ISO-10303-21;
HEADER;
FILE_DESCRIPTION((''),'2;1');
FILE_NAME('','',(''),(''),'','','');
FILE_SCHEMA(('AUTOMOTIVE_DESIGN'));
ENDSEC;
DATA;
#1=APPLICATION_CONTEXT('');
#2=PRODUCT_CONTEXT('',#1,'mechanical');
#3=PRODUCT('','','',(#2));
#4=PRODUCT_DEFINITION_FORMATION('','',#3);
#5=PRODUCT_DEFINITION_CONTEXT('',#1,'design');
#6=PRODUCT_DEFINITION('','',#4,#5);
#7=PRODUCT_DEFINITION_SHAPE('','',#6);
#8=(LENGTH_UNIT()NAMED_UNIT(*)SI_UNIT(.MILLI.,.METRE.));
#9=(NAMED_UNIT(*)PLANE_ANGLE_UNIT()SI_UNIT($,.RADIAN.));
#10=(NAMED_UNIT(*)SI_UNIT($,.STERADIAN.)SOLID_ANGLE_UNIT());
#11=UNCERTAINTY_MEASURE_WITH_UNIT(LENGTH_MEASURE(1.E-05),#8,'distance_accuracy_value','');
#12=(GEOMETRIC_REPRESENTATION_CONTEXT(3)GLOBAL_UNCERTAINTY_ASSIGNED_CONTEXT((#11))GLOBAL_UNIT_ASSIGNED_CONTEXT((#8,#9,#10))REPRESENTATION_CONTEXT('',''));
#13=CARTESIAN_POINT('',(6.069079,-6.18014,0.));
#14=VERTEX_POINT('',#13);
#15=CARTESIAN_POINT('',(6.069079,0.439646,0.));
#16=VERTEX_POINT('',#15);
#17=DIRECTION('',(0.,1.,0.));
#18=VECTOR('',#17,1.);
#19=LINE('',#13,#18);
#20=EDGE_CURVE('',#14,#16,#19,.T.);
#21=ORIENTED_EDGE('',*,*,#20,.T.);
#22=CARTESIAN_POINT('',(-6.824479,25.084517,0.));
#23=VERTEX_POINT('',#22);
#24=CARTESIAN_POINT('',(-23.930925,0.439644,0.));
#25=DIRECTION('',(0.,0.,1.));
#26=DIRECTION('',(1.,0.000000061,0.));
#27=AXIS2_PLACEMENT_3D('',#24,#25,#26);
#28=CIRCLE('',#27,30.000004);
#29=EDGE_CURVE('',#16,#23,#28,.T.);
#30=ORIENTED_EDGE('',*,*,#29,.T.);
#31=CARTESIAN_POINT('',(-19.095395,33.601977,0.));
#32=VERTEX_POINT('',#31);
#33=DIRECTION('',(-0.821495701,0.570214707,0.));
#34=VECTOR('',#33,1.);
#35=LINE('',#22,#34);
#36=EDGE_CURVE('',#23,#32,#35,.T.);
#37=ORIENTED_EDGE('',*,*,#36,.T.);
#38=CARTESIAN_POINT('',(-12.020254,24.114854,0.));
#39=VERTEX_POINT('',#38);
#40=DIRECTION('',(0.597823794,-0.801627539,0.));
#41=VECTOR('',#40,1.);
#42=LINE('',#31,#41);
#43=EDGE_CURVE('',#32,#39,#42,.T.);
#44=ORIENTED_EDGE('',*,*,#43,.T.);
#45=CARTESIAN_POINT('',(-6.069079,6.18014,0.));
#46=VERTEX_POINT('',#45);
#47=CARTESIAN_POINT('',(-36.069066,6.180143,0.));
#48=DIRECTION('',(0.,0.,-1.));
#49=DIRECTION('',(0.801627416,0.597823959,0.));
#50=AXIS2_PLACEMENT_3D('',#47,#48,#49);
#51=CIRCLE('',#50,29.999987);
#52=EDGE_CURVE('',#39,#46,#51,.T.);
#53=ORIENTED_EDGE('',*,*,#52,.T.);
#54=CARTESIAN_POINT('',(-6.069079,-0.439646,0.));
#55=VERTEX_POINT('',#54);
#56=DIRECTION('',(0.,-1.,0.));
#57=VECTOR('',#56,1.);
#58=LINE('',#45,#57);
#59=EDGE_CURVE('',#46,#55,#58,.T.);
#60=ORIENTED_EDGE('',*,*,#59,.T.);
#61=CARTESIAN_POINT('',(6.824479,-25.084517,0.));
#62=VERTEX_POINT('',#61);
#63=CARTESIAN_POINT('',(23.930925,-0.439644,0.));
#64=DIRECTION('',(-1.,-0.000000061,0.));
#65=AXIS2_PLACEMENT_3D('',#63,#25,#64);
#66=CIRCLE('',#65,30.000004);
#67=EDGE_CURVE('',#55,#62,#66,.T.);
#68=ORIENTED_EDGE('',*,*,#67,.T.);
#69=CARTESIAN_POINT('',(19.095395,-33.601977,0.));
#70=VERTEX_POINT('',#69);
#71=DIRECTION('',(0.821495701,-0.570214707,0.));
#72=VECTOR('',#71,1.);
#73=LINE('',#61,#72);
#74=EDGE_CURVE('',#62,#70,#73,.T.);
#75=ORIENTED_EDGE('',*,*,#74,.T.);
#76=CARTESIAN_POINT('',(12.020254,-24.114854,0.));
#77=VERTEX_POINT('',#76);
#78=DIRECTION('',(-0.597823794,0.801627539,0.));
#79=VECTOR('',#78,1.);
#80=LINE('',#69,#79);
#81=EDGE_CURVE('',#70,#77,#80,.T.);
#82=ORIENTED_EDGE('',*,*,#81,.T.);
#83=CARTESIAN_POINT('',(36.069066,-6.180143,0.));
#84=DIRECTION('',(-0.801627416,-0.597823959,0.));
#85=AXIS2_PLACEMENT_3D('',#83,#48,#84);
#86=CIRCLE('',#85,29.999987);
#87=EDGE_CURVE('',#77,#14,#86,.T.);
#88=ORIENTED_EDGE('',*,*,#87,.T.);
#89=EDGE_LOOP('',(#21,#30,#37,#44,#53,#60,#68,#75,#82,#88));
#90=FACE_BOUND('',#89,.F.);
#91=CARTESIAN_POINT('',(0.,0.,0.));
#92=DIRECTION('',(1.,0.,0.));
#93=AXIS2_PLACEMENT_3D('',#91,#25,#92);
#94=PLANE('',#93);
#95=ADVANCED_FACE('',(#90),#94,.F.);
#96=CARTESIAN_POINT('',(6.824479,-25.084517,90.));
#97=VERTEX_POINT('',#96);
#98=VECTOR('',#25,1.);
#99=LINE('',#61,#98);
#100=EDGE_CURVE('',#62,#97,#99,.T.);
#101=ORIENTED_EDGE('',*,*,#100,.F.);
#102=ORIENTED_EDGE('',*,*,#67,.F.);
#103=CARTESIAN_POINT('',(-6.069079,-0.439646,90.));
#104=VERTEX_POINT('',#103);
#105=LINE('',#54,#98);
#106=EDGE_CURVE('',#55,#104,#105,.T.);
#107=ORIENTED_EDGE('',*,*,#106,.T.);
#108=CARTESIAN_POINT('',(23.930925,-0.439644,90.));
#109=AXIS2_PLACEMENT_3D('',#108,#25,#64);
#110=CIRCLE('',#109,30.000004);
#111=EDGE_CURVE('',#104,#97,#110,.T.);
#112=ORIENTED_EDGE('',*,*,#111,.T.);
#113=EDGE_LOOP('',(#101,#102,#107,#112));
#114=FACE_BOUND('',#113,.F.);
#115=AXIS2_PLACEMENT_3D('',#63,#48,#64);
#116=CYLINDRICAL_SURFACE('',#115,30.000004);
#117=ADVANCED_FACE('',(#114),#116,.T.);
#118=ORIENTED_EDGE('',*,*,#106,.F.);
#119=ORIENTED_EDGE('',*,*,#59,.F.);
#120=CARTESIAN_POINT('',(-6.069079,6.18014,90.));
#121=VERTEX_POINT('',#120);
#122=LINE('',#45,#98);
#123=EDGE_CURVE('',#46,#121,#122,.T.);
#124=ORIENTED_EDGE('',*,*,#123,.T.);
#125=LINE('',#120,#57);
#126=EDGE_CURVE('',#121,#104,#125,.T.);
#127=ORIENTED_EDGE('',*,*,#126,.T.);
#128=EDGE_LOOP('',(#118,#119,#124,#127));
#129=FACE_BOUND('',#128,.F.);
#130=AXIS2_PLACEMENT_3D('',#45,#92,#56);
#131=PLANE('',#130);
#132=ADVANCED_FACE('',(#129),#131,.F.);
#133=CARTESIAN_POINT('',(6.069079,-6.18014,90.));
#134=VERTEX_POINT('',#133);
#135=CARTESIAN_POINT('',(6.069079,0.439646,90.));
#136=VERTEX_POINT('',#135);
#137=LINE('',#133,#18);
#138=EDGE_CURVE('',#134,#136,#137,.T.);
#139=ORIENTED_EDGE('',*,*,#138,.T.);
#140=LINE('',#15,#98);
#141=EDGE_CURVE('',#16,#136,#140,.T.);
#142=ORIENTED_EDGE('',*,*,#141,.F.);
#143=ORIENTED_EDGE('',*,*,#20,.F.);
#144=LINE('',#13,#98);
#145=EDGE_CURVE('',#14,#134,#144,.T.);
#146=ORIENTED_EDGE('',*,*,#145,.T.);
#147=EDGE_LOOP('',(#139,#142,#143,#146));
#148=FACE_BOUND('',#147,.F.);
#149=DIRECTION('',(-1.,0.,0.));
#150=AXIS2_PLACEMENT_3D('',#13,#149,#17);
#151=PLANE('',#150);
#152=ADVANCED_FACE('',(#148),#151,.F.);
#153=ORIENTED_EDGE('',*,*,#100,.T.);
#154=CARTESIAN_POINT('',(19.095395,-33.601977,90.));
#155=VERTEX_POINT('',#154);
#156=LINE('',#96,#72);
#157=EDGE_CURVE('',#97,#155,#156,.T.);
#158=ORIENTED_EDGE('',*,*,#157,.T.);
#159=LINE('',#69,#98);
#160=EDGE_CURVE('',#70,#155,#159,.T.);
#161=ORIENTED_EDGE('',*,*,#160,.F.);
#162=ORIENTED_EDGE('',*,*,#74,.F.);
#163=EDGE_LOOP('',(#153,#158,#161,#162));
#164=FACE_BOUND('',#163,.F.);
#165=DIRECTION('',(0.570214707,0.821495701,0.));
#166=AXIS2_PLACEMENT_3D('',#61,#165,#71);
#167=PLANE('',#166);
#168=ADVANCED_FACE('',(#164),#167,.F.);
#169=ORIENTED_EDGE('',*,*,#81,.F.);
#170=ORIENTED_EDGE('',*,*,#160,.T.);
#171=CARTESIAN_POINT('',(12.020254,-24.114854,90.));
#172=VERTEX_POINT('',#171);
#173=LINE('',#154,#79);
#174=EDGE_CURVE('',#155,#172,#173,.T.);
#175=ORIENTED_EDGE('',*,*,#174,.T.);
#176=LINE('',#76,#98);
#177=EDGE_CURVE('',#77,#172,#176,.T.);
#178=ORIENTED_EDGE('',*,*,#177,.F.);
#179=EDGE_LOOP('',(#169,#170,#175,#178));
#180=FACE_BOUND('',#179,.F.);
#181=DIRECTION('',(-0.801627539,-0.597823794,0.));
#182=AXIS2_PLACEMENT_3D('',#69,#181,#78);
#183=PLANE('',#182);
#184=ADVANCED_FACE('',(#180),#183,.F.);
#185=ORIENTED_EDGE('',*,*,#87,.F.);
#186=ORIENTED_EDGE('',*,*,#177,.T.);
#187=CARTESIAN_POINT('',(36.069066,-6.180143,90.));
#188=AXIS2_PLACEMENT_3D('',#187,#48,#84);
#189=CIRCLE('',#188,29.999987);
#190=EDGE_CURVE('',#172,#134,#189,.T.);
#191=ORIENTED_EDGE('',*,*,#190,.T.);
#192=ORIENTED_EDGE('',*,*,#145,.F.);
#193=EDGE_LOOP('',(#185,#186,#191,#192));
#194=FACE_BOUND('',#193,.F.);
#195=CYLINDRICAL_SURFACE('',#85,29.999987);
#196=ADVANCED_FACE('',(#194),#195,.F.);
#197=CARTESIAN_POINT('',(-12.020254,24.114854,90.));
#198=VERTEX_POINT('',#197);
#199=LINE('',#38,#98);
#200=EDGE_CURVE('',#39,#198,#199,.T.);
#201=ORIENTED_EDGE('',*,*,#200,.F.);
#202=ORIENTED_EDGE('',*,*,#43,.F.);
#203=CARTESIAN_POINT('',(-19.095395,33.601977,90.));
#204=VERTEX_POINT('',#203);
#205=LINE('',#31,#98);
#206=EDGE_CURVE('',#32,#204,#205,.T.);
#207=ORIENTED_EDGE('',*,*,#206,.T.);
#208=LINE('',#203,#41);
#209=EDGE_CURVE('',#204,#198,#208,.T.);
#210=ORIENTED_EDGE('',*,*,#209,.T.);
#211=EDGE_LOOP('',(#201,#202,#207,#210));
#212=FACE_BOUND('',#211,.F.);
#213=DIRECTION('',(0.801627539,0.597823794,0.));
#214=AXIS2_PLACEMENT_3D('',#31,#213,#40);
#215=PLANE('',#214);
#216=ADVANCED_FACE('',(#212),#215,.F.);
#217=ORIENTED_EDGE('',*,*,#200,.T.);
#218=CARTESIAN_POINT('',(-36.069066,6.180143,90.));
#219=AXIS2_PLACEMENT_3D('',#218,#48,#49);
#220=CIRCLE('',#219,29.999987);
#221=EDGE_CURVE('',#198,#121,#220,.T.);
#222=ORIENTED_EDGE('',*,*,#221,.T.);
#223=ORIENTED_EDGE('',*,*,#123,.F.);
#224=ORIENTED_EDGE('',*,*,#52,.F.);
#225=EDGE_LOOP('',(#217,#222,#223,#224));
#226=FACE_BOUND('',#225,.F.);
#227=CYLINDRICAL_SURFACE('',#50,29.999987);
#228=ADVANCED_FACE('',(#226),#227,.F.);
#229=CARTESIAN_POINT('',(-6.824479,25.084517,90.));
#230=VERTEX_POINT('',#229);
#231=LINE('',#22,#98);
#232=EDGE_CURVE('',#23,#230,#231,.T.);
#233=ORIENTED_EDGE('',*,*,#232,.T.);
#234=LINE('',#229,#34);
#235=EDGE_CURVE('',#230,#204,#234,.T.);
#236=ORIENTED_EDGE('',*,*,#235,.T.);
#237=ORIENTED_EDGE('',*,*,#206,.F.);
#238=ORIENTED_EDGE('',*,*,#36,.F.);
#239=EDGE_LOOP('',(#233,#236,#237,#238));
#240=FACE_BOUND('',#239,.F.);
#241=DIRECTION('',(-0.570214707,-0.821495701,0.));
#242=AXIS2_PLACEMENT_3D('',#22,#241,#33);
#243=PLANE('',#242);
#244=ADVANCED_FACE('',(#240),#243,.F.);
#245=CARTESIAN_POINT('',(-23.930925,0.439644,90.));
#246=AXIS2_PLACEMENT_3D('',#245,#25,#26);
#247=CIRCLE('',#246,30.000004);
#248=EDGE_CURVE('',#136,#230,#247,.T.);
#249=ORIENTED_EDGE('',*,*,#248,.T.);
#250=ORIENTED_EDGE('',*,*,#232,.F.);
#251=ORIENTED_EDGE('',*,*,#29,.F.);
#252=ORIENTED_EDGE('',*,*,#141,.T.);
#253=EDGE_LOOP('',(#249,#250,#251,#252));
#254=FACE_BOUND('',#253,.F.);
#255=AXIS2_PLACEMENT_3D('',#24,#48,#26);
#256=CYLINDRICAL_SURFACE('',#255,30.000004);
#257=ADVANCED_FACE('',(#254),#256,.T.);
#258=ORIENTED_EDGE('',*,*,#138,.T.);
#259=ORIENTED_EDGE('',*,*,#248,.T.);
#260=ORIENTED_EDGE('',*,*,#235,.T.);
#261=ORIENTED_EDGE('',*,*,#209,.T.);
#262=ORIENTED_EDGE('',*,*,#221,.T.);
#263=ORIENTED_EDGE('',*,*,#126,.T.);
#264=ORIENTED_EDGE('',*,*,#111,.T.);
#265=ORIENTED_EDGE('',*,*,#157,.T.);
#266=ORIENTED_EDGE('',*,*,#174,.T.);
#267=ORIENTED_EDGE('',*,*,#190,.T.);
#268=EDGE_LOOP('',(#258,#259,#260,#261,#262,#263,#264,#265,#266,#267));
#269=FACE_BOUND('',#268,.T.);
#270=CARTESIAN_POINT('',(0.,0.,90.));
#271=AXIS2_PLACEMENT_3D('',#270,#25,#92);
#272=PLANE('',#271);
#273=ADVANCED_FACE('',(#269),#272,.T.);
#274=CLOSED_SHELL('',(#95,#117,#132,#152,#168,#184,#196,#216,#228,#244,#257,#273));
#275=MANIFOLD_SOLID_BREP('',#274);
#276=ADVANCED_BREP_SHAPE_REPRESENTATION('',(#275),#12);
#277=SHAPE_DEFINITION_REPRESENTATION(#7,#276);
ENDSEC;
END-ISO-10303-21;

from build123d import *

# Parameters (mm, degrees)
F1_DEPTH = 90


with BuildPart() as f1:
    # F0 (on Top) → F1 (new body)
    with BuildSketch(Plane.XY):
        with BuildLine():
            Line((6.069079, -6.18014), (6.069079, 0.439646))
            ThreePointArc((6.069079, 0.439646), (2.650964, 14.3466), (-6.824479, 25.084517))
            Line((-6.824479, 25.084517), (-19.095395, 33.601977))
            Line((-19.095395, 33.601977), (-12.020254, 24.114854))
            ThreePointArc((-12.020254, 24.114854), (-7.595716, 15.628294), (-6.069079, 6.18014))
            Line((-6.069079, 6.18014), (-6.069079, -0.439646))
            ThreePointArc((-6.069079, -0.439646), (-2.650964, -14.3466), (6.824479, -25.084517))
            Line((6.824479, -25.084517), (19.095395, -33.601977))
            Line((19.095395, -33.601977), (12.020254, -24.114854))
            ThreePointArc((12.020254, -24.114854), (7.595716, -15.628294), (6.069079, -6.18014))
        make_face()
    extrude(amount=F1_DEPTH)


solid = f1.part
